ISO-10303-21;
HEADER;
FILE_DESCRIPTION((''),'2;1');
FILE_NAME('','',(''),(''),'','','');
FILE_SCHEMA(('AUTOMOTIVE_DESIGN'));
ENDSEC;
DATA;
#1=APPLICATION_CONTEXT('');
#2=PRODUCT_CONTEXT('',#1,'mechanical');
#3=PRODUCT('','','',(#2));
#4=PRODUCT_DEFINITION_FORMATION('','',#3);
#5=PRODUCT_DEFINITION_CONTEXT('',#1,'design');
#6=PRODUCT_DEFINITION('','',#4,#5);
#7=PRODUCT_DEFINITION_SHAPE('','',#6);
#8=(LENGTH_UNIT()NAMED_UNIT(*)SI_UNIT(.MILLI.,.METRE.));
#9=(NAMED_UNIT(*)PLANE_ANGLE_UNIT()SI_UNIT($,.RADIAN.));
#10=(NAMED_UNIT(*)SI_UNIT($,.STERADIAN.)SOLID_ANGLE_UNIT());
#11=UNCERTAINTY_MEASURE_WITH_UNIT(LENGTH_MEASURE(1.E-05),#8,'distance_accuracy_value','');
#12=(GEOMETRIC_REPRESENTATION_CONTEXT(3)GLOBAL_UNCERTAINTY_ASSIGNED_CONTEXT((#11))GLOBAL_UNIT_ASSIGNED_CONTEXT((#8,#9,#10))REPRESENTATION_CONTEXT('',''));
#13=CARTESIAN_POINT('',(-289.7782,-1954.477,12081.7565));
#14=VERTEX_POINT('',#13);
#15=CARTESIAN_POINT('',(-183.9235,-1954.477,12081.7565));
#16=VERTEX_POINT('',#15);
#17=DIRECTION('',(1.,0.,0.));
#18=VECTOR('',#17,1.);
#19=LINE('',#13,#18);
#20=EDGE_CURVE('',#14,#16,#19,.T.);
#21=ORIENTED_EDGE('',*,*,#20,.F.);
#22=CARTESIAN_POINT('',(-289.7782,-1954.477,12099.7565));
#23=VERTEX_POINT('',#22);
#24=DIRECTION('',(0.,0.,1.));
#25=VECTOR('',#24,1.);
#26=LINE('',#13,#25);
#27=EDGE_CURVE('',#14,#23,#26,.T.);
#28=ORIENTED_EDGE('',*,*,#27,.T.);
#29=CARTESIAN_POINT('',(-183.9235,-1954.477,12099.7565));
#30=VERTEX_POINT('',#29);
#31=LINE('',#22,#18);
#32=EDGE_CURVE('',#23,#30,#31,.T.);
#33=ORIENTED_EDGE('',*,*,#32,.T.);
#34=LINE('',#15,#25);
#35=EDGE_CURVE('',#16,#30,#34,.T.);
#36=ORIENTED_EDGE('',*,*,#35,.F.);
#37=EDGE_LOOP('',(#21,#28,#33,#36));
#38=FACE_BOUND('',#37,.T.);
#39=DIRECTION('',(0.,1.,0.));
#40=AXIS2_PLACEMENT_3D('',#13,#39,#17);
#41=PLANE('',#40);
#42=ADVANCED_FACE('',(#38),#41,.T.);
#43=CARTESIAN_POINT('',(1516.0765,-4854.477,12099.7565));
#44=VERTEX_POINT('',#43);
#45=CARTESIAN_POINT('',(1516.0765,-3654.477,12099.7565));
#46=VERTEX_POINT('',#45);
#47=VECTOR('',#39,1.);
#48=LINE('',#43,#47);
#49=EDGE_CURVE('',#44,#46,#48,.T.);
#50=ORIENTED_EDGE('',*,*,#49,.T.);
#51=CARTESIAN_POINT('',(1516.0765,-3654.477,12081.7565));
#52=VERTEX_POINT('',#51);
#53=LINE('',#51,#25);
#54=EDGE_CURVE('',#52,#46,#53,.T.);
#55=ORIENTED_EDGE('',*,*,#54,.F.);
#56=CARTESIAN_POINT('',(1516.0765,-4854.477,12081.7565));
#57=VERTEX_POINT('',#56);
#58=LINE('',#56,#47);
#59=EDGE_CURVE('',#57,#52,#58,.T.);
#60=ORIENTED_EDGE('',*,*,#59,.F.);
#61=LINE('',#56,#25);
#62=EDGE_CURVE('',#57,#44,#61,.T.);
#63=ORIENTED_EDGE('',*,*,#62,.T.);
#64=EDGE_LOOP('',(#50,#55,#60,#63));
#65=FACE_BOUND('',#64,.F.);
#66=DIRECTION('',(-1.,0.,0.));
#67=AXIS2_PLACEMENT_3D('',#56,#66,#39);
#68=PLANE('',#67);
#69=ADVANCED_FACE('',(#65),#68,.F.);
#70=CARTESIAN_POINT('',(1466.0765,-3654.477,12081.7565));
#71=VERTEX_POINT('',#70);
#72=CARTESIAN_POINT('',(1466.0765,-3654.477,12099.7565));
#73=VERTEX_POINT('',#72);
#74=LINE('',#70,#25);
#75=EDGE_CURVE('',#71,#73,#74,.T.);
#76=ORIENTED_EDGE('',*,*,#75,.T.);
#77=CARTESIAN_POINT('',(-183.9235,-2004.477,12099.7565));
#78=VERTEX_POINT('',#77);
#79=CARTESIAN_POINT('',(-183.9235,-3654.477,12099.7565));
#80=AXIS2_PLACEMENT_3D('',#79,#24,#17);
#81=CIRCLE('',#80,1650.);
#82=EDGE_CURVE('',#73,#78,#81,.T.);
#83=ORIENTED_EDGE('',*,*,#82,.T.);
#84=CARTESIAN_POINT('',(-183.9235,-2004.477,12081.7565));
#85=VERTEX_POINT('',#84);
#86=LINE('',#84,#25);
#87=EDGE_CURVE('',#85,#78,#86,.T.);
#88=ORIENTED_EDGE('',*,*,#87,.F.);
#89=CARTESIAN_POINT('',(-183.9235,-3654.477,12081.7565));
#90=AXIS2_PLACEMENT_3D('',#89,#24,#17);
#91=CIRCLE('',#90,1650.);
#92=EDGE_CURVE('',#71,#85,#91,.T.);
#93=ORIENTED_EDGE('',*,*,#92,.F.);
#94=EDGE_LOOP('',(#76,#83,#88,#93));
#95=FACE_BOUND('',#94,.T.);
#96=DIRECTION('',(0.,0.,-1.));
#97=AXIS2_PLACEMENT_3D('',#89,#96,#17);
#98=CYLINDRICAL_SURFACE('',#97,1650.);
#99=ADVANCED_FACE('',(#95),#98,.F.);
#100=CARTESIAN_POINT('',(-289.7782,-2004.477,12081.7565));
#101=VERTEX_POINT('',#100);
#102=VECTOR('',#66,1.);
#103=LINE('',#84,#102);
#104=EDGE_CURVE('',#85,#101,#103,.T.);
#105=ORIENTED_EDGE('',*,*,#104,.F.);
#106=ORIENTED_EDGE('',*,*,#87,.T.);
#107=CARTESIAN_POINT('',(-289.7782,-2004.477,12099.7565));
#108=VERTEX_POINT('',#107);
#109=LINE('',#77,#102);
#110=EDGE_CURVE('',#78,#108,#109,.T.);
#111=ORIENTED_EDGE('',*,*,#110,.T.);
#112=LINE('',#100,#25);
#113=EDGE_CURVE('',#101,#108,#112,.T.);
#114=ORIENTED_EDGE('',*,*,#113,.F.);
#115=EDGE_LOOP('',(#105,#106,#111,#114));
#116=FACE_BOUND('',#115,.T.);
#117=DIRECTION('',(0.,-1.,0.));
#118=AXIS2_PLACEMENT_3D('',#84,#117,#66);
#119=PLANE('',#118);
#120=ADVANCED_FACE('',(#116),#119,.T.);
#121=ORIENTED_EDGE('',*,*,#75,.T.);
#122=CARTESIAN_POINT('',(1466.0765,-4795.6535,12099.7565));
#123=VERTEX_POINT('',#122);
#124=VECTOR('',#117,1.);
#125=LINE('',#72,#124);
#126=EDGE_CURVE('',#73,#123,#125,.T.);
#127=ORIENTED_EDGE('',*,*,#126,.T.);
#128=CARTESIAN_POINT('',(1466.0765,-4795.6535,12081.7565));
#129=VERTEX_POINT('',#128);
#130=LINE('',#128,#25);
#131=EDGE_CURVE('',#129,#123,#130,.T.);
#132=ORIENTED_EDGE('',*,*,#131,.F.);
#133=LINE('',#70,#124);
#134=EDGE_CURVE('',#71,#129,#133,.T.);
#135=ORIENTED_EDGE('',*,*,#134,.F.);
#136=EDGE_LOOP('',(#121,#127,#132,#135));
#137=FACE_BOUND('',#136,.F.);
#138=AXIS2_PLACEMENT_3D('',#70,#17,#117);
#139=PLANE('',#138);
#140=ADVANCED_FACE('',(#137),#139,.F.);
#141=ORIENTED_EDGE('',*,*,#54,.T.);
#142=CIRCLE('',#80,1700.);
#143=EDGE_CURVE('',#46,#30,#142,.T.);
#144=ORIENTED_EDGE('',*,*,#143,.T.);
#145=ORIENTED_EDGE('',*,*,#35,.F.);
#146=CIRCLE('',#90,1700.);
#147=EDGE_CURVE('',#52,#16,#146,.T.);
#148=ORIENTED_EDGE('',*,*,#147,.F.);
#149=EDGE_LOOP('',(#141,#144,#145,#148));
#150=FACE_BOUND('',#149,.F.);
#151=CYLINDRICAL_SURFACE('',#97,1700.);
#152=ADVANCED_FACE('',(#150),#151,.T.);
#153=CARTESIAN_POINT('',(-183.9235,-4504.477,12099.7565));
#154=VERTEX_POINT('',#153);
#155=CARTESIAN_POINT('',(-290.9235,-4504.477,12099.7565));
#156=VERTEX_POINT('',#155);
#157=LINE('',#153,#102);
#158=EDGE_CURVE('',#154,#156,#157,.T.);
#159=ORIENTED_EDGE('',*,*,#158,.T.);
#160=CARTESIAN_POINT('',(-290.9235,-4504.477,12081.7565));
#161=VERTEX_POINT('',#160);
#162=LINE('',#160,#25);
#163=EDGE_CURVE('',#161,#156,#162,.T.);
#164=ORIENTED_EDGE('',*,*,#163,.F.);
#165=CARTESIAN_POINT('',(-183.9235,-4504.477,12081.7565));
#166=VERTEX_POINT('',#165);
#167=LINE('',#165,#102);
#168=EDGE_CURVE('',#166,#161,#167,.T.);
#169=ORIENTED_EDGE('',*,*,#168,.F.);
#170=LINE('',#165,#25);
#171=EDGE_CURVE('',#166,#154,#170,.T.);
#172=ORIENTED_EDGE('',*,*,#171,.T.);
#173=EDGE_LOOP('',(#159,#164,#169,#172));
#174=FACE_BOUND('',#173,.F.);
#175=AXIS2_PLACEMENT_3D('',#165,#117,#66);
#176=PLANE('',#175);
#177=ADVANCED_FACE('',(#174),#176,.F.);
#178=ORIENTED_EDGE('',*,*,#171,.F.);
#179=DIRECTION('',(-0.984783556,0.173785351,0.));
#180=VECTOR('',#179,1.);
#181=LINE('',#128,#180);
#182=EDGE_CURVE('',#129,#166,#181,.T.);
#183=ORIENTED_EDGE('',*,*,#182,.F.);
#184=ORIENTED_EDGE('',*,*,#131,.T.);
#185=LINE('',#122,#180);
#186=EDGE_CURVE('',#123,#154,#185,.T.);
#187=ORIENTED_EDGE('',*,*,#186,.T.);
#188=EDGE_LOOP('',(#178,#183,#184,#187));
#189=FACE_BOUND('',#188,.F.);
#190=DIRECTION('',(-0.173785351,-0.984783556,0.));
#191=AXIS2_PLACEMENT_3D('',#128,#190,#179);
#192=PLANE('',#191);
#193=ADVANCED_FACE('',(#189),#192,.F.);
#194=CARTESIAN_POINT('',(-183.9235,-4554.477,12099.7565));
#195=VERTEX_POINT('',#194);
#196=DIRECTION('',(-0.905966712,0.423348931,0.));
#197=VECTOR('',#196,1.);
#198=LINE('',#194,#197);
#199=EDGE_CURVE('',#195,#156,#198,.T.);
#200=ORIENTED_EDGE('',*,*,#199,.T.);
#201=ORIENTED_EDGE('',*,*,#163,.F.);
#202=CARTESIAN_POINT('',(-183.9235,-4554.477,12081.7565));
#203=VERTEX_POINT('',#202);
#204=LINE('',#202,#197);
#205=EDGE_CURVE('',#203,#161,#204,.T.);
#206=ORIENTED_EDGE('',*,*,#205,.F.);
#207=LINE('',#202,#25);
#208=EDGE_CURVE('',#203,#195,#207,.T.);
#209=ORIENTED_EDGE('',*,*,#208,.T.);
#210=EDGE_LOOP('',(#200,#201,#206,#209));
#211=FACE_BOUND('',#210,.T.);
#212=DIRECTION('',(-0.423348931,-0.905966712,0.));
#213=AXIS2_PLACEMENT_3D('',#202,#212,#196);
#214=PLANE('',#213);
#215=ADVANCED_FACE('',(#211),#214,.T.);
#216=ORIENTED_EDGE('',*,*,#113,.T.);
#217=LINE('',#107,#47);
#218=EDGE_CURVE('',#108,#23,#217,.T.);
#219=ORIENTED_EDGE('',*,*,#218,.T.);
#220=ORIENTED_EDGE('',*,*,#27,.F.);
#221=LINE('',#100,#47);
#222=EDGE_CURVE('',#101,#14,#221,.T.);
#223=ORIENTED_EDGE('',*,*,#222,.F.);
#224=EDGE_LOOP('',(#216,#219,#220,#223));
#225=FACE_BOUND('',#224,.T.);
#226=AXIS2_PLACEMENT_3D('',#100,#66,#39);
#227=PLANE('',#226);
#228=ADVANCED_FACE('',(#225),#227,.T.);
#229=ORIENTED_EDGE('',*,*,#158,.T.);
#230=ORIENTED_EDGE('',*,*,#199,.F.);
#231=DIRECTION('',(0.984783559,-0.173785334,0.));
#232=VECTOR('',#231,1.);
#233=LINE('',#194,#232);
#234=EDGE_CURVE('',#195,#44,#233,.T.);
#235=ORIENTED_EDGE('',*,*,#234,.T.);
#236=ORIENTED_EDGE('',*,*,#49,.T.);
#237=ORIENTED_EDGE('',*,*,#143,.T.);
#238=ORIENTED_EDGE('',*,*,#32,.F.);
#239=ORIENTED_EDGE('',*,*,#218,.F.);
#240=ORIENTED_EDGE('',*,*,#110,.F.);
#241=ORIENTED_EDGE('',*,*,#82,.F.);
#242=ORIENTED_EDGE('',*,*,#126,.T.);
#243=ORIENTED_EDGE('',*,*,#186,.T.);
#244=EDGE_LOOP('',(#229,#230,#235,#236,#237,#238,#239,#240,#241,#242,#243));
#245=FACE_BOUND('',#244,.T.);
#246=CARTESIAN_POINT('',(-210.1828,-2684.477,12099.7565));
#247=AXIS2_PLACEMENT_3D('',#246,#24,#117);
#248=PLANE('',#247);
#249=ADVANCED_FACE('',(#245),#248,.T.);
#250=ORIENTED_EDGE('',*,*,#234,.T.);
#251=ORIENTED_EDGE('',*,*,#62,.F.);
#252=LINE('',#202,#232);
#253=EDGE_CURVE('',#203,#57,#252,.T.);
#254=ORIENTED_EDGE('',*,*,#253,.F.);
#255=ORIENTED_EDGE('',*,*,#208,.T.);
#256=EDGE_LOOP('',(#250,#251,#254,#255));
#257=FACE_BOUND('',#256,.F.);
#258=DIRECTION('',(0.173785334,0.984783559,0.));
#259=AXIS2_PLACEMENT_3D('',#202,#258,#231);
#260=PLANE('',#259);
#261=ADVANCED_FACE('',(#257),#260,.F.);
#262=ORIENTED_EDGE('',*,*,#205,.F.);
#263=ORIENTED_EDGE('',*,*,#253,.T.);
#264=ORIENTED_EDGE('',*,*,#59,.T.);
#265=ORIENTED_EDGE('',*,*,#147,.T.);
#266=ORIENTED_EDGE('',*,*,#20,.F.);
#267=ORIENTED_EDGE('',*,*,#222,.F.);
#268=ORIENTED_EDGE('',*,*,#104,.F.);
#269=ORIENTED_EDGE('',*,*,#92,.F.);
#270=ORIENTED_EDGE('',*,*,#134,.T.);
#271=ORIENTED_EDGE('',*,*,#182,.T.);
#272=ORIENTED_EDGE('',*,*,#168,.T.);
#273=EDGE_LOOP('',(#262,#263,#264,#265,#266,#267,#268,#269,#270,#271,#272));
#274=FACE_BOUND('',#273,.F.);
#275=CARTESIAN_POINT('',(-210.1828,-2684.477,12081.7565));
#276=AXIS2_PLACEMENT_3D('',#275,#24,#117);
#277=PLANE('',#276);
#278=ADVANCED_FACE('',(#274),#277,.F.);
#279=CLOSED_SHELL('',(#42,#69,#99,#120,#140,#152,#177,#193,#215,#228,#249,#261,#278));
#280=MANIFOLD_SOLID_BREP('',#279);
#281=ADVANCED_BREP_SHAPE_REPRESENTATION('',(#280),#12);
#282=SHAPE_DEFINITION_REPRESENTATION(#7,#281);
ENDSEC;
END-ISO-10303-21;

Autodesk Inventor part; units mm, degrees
ref_plane "YZ Plane" through (0, 0, 0) normal (1, 0, 0) x (0, 1, 0)
ref_plane "XZ Plane" through (0, 0, 0) normal (0, 1, 0) x (-1, 0, 0)
ref_plane "XY Plane" through (0, 0, 0) normal (0, 0, 1) x (1, 0, 0)
ref_plane "Work Plane1" through (-210.1828, -2684.477, 12081.7565) normal (0, 0, 1) x (0, -1, 0)
sketch "Sketch3" plane through (-210.1828, -2684.477, 12081.7565) normal (0, 0, 1) x (0, -1, 0)
  line L0 (-680, -79.5954) -> (-730, -79.5954)
  line L1 (-730, -79.5954) -> (-730, 26.2593)
  line L2 (-730, 26.2593) -> (-680, 26.2593)
  line L3 (-680, 26.2593) -> (-680, -79.5954)
  line L4 (1820, -80.7407) -> (1870, -80.7407)
  line L5 (1870, -80.7407) -> (1870, 26.2593)
  line L6 (1870, 26.2593) -> (1820, 26.2593)
  line L7 (1820, 26.2593) -> (1820, -80.7407)
  line L8 (-680, 26.2593) -> (1820, 26.2593)
  arc A0 (970, 1726.2593) -> (-730, 26.2593) centre (970, 26.2593) ccw
  line L9 (970, 26.2593) -> (970, 1726.2593) construction
  line L10 (970, 26.2593) -> (-730, 26.2593) construction
  arc A1 (970, 1676.2593) -> (-680, 26.2593) centre (970, 26.2593) ccw
  line L11 (970, 1676.2593) -> (2111.1765, 1676.2593)
  line L12 (2111.1765, 1676.2593) -> (1820, 26.2593)
  line L13 (1870, 26.2593) -> (2170, 1726.2593)
  line L14 (2170, 1726.2593) -> (970, 1726.2593)
  line L15 (1870, 26.2593) -> (1820, -80.7407)
  point P0 (-2684.477, 210.1828)
  dimension "d18" = 50
  dimension "d19" = 50
  dimension "d20" = 90
  dimension "d21" = 1700
  dimension "d22" = 107
  dimension "d23" = 300
extrude "Extrusion1" add sketch "Sketch3" along normal blind 18 contours L0 L1 L2 L3 | L2 A0 L14 L13 L6 L12 L11 A1 | L6 L15 L7
properties part number "SideWoodL" material "Wood (Birch)"
